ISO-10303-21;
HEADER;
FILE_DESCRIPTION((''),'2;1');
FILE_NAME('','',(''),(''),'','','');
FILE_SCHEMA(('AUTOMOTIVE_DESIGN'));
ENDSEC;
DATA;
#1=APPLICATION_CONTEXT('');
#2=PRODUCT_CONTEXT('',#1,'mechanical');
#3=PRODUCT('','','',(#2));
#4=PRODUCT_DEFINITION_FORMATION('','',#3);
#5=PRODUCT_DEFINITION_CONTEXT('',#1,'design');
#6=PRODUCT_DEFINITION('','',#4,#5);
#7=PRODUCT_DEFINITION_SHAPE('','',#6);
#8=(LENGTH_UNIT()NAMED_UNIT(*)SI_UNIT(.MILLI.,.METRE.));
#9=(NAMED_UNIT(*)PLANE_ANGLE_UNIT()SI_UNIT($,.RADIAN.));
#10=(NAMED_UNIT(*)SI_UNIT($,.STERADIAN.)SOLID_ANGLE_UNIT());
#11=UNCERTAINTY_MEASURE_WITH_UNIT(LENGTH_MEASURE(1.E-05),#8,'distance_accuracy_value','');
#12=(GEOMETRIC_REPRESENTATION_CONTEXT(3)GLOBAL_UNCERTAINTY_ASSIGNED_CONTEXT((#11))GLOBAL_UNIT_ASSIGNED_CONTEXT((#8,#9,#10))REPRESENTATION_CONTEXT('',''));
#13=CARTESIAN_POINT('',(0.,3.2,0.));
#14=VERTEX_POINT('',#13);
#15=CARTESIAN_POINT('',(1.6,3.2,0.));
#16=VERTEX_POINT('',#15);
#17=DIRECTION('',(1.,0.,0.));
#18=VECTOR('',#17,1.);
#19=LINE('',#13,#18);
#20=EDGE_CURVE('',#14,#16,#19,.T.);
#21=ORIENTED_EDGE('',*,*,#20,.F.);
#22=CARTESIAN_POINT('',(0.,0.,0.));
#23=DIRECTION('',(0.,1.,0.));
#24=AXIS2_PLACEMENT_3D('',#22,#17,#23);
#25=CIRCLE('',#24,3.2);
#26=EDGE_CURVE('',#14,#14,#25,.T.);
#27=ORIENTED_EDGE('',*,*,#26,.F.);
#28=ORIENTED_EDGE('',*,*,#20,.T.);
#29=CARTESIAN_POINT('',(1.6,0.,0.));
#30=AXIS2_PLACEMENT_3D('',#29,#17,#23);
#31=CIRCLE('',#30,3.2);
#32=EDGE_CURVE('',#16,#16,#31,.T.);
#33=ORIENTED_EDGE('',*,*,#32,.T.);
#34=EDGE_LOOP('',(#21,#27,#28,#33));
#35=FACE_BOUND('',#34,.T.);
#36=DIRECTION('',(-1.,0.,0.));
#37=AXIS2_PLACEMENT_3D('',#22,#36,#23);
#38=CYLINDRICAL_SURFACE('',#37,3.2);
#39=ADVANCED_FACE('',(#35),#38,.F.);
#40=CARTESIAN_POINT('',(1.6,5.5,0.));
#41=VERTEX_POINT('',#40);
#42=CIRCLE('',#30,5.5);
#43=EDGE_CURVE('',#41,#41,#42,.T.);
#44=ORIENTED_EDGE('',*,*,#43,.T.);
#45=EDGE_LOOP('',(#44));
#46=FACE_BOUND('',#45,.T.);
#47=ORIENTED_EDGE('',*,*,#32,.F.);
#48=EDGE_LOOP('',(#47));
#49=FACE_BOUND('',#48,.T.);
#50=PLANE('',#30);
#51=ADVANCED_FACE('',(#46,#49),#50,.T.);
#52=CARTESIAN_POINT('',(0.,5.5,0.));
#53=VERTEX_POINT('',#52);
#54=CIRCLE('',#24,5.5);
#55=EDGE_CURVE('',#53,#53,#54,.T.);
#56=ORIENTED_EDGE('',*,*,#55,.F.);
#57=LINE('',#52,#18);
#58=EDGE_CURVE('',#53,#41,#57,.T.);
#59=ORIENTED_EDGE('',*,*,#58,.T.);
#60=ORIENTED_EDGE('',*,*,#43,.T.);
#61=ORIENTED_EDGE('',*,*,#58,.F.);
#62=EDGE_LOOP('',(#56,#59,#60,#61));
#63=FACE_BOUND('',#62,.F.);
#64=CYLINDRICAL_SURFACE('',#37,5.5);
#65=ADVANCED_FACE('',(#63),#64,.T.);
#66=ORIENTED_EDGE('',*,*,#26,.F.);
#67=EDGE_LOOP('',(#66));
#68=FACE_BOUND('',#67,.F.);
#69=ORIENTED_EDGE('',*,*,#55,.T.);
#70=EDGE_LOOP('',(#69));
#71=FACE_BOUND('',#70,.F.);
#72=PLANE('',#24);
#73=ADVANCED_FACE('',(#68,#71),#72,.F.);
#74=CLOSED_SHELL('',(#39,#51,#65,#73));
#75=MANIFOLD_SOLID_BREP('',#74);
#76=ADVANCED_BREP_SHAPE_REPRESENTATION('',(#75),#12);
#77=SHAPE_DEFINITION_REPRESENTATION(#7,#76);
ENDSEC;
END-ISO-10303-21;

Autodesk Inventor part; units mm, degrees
ref_plane "YZ Plane" through (0, 0, 0) normal (1, 0, 0) x (0, 1, 0)
ref_plane "XZ Plane" through (0, 0, 0) normal (0, 1, 0) x (-1, 0, 0)
sketch "Szkic" plane through (0, 0, 0) normal (1, 0, 0) x (0, 1, 0)
  circle A0 centre (0, 0) radius 5.5
  circle A1 centre (0, 0) radius 3.2
  dimension "d0" = 6.4
  dimension "d1" = 11
extrude "Bryła" add sketch "Szkic" along normal blind 1.6
ref_plane "Work Plane1" through (0, 0, 0) normal (0, 0, 1) x (1, 0, 0)
equation "\"d0\" = SD1"
equation "\"d1\" = SD2"
equation "\"d2\" = SD"
equation "\"SD1\" = 6.4"
equation "\"SD2\" = 11"
equation "\"SD\" = 1.6"
equation "\"NND\" = 6"
properties part number "PN-78/M-82007 - 6,4" material "Stal, miękka"
